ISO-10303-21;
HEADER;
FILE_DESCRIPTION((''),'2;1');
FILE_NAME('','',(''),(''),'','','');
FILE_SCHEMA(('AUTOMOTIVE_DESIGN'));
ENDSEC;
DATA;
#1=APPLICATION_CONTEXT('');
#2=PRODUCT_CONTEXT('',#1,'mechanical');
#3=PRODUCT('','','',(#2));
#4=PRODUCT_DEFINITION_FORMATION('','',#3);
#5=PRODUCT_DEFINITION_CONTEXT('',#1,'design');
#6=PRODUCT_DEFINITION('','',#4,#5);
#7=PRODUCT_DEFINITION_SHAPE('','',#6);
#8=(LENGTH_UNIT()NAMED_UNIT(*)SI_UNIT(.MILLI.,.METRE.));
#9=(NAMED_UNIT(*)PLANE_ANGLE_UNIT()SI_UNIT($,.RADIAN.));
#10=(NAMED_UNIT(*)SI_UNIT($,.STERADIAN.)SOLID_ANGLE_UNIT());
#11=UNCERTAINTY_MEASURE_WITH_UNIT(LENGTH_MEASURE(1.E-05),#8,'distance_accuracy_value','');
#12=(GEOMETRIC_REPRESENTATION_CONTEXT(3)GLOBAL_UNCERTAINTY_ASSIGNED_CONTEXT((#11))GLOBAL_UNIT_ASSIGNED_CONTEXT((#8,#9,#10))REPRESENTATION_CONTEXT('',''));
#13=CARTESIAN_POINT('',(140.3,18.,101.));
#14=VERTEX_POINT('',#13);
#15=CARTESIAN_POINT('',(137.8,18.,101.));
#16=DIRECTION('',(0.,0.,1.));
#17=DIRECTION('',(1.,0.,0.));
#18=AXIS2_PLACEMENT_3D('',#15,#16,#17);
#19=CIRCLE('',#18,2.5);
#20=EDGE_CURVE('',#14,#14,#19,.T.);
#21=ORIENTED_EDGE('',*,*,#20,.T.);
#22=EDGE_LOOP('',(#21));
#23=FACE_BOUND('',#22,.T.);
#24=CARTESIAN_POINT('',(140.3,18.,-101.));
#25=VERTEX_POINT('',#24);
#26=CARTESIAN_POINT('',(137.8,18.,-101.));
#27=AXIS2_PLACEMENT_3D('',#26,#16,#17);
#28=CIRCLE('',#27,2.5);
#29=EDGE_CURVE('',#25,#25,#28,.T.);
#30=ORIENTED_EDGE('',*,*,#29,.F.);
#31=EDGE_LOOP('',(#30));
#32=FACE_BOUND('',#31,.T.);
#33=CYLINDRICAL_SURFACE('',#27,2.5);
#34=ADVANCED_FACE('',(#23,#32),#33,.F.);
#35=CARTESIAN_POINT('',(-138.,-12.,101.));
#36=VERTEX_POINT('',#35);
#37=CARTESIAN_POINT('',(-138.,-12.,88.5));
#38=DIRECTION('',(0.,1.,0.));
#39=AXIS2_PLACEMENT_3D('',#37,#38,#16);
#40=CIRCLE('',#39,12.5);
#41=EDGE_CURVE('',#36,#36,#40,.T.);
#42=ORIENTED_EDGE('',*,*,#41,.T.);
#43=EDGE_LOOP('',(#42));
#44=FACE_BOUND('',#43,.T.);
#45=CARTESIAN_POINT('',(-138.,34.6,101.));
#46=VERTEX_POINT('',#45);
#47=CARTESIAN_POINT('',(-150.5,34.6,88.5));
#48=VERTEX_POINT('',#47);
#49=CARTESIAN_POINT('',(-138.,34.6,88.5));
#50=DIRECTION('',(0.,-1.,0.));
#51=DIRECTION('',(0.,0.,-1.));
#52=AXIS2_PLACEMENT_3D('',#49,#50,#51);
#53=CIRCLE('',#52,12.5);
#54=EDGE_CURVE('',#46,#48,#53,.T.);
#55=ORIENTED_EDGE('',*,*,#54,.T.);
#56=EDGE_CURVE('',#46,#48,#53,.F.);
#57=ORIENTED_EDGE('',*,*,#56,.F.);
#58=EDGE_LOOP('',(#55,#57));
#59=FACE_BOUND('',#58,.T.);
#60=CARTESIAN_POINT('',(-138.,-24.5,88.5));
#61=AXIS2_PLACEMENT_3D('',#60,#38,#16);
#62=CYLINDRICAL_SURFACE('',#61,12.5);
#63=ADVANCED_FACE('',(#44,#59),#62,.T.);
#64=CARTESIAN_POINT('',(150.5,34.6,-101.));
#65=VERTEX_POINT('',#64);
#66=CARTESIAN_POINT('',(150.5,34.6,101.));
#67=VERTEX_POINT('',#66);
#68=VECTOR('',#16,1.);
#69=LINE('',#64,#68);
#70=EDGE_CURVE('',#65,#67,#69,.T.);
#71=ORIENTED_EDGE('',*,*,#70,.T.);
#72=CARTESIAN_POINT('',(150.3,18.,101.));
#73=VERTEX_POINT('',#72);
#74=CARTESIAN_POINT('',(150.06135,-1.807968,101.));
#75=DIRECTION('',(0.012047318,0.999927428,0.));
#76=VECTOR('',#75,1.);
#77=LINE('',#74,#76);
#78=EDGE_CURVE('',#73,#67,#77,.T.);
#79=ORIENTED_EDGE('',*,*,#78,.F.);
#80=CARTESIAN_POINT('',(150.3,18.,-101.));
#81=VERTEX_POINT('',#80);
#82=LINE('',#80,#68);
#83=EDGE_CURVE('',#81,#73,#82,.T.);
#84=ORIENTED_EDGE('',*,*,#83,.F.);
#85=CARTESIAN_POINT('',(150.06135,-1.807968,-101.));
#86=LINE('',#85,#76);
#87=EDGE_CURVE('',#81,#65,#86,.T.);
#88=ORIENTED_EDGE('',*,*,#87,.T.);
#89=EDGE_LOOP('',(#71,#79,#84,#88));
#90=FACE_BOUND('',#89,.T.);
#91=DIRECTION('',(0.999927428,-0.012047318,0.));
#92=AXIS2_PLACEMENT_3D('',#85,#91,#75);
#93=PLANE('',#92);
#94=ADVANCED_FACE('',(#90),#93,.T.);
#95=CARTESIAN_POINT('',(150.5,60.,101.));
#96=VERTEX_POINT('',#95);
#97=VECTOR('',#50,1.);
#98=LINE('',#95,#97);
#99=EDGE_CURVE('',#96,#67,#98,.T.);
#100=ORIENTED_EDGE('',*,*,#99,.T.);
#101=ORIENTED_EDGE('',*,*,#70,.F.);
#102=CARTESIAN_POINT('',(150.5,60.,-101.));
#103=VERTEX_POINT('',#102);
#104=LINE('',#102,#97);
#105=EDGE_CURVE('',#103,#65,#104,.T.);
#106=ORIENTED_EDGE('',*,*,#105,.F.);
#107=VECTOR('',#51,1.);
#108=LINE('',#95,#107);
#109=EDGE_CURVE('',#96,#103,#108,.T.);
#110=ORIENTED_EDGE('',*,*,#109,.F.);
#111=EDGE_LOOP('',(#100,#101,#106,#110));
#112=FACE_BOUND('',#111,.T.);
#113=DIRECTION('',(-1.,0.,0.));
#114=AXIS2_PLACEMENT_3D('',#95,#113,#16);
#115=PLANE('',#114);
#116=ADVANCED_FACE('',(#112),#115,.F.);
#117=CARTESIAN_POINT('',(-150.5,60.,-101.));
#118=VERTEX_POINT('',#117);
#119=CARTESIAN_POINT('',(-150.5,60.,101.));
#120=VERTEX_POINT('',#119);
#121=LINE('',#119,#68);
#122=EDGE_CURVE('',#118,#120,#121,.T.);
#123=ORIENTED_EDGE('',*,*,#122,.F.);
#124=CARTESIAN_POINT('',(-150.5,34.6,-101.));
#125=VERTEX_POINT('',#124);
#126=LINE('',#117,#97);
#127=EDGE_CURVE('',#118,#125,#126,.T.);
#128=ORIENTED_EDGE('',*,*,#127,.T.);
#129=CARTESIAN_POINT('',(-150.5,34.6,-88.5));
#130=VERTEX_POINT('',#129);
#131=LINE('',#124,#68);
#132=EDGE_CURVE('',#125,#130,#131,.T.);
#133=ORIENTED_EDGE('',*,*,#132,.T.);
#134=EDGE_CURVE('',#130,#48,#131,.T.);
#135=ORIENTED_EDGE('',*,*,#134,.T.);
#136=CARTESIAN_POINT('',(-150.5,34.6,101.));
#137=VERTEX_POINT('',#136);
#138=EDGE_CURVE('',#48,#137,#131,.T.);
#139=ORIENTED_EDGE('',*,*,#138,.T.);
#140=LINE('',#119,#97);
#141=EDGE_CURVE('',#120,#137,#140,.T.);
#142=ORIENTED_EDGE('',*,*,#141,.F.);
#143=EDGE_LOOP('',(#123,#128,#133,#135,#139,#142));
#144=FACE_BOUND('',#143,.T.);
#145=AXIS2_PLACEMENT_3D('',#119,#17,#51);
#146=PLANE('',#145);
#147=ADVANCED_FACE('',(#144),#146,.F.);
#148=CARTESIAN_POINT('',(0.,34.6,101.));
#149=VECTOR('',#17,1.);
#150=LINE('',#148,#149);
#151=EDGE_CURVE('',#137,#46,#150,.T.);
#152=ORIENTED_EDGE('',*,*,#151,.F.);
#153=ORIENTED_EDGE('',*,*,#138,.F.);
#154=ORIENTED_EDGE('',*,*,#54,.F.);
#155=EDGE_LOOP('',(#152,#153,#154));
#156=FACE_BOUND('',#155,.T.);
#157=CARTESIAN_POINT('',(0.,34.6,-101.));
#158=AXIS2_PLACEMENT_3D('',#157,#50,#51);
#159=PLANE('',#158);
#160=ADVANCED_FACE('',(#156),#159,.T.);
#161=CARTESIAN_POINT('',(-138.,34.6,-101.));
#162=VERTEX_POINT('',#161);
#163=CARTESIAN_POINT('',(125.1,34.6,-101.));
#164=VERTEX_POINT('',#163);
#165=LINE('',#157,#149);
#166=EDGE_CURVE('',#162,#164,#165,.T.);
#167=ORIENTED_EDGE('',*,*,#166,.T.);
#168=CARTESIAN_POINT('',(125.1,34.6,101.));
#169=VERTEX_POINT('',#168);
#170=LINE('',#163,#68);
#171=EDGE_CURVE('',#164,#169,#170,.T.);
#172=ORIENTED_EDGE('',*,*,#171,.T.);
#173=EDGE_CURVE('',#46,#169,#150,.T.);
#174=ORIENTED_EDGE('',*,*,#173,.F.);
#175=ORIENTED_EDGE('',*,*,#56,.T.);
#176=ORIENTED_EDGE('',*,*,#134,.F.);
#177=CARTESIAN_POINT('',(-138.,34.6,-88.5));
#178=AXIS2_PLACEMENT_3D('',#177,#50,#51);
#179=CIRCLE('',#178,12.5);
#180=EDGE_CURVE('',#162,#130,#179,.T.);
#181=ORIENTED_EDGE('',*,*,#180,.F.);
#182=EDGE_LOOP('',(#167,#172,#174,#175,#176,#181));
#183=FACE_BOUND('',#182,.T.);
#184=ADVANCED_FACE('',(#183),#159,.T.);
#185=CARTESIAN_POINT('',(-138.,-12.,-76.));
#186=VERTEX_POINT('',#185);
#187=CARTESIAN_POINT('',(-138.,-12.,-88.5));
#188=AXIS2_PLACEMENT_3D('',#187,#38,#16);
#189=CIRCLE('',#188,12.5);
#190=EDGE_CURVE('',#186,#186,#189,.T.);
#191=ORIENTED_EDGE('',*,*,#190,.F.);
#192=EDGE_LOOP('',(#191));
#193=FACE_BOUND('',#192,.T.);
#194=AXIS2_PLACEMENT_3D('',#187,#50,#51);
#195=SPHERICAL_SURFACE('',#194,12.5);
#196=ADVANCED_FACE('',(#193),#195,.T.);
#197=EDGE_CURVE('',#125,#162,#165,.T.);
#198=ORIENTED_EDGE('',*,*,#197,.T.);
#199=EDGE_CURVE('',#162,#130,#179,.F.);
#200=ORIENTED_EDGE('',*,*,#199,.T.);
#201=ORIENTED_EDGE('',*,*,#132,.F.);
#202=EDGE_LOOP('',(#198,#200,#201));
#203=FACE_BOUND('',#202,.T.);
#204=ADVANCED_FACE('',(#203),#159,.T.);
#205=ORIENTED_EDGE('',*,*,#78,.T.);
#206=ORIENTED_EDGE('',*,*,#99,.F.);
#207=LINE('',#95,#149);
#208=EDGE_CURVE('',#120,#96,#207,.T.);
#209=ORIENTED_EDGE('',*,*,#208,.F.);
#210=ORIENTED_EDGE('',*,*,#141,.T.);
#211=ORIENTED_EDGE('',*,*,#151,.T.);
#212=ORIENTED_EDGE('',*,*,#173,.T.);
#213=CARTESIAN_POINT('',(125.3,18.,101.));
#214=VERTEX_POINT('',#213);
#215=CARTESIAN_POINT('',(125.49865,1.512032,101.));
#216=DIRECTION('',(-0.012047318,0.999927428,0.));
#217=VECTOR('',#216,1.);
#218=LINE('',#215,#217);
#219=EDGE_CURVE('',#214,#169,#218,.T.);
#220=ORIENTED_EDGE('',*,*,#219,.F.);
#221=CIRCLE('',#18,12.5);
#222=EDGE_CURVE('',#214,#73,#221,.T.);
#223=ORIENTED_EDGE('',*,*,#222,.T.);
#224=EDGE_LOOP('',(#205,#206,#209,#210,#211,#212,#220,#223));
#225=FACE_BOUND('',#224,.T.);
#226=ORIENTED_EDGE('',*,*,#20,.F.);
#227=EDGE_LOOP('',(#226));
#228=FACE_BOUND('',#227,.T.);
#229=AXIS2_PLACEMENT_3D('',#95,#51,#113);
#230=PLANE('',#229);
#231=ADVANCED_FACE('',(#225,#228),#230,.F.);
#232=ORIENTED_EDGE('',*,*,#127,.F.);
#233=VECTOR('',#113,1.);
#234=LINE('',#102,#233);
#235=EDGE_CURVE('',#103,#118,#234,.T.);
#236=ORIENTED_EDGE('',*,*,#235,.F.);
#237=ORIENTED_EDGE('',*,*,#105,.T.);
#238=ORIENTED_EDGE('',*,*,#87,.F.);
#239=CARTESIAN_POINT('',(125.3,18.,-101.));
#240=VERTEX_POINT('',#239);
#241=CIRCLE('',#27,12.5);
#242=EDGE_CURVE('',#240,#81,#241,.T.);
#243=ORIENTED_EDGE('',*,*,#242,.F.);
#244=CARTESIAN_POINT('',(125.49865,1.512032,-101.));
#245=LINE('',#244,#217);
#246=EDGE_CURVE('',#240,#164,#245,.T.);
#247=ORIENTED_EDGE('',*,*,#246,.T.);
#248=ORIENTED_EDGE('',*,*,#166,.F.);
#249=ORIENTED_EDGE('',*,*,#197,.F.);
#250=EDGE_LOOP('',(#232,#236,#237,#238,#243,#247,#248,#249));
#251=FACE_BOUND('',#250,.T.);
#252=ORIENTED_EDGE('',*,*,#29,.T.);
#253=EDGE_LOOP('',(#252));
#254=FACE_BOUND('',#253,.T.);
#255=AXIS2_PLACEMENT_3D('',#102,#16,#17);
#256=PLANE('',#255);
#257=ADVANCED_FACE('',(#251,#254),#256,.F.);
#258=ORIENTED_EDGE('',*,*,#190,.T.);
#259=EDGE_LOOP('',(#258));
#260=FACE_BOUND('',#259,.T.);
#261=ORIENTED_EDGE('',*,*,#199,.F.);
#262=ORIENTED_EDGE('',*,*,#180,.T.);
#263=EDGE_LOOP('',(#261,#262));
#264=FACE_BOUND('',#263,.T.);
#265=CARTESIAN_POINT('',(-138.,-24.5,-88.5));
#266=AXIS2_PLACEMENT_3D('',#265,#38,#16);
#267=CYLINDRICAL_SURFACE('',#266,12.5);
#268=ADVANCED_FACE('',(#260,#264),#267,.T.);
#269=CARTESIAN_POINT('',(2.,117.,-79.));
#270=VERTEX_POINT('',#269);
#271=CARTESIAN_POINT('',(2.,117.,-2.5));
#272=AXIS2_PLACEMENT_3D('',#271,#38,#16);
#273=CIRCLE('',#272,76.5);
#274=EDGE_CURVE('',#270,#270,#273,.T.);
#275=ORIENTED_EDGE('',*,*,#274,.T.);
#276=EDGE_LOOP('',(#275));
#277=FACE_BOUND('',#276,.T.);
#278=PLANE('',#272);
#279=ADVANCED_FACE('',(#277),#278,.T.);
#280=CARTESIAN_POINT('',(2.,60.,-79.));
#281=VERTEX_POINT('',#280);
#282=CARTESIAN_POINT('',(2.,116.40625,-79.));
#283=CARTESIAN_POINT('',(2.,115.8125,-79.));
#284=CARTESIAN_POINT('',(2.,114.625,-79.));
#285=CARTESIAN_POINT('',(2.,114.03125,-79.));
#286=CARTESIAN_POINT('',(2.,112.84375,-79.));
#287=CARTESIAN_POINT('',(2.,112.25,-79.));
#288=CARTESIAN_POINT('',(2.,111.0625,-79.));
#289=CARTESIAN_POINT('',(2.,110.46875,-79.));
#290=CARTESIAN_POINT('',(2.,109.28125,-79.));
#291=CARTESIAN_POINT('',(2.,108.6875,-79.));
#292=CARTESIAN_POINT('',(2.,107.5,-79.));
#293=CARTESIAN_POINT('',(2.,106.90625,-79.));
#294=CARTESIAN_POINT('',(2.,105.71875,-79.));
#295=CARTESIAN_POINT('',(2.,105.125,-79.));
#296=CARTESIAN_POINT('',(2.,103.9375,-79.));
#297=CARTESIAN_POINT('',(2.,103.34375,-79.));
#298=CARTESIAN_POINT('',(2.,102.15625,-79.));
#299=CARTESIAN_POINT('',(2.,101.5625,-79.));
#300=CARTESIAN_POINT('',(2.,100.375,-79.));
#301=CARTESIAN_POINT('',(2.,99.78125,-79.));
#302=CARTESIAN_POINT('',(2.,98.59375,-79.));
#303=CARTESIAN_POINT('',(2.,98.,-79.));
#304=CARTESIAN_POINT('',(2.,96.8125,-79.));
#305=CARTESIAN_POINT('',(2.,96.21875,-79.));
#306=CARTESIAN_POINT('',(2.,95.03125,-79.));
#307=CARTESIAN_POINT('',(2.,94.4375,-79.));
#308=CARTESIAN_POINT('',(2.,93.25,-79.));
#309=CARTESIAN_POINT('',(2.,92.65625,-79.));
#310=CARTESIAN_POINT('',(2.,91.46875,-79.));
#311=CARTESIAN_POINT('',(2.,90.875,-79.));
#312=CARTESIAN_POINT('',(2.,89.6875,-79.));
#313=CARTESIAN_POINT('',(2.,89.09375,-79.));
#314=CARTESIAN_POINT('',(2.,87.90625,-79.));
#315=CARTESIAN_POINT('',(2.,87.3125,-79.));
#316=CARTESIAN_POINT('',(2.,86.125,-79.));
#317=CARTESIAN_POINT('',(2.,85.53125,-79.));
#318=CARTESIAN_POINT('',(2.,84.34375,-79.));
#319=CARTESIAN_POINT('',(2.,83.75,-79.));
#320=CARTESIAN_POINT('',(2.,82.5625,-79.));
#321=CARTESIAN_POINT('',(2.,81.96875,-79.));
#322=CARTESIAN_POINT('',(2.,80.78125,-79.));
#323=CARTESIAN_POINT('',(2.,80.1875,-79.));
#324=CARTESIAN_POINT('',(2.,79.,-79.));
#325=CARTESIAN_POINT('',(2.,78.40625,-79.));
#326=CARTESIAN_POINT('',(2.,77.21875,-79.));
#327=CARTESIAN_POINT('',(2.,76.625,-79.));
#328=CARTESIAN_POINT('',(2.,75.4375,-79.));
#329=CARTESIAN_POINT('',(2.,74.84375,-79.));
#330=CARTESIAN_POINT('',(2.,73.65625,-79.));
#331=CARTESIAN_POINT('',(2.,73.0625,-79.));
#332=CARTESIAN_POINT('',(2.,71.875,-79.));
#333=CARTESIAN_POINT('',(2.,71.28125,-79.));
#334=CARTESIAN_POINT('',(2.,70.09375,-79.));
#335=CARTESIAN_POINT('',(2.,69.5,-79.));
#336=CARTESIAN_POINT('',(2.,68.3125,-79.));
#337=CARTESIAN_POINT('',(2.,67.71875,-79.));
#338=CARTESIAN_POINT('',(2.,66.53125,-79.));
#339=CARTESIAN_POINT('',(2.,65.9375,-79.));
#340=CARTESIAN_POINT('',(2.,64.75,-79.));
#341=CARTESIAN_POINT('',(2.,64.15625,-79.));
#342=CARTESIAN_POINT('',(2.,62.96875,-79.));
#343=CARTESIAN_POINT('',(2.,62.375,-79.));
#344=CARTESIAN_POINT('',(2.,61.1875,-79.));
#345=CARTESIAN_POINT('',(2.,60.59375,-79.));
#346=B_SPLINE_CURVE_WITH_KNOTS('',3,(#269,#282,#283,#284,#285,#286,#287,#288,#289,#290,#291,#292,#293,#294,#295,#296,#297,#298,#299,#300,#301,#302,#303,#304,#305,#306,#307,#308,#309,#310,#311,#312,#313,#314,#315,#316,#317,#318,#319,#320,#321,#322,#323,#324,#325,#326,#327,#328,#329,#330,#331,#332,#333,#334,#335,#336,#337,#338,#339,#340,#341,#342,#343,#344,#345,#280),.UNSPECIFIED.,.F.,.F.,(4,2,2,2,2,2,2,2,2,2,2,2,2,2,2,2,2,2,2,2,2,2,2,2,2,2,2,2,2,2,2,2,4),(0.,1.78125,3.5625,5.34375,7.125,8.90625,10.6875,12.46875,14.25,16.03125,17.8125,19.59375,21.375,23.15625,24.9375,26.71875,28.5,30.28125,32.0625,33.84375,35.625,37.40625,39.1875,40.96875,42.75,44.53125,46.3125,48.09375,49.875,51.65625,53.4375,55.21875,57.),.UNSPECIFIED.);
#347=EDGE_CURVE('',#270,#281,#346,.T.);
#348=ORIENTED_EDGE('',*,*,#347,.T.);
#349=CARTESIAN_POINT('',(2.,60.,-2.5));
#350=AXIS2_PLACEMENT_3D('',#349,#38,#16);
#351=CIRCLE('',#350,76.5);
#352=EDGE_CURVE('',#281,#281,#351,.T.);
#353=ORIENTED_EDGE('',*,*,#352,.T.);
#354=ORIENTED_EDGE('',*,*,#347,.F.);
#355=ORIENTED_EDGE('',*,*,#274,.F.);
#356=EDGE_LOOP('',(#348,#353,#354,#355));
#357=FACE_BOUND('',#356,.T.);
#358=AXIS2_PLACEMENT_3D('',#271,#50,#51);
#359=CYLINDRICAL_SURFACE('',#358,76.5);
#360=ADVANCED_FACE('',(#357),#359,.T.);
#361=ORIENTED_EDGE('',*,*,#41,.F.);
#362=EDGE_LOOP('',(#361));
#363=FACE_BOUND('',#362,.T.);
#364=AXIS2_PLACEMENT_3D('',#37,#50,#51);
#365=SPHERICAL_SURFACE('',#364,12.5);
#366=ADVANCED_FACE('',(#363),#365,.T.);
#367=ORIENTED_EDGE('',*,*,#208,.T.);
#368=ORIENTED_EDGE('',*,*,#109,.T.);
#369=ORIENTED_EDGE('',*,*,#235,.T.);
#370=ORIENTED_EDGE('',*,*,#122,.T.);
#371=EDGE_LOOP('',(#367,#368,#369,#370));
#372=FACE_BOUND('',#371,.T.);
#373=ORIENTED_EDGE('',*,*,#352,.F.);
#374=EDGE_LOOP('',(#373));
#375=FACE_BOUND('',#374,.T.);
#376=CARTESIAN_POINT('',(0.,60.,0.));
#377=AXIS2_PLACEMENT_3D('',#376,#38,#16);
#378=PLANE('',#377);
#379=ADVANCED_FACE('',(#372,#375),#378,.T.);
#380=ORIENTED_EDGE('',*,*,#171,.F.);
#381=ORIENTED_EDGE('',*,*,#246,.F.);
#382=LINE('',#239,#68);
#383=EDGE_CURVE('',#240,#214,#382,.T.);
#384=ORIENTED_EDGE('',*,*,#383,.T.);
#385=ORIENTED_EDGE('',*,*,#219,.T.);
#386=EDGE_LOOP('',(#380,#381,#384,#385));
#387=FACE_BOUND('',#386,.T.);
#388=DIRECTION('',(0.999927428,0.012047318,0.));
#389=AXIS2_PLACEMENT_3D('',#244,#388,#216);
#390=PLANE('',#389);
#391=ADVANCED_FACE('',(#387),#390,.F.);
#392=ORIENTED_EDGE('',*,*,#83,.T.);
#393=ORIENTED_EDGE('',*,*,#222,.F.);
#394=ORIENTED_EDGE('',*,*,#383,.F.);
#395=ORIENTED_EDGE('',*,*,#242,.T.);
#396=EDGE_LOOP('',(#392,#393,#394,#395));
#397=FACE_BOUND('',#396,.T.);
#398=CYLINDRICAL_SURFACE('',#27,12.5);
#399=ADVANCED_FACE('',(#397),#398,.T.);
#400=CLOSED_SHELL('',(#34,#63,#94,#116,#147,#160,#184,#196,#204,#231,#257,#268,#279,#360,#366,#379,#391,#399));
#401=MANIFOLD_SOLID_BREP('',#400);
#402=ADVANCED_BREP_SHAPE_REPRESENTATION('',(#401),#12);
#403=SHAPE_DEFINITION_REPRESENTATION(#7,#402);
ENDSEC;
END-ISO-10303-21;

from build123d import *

# Parameters (mm, degrees)
SKETCH1_W           = 301
SKETCH1_H           = 202
BOSS_EXTRUDE1_DEPTH = 60
CUT_EXTRUDE1_DEPTH  = 259.948353924
SKETCH5_R           = 12.5
BOSS_EXTRUDE2_DEPTH = 59.1
FILLET1_R           = 12.5
SKETCH2_R           = 2.5
CUT_EXTRUDE2_DEPTH  = 259.948353924
SKETCH6_R           = 76.5
BOSS_EXTRUDE3_DEPTH = 57


with BuildPart() as part:
    # Sketch1 → Boss-Extrude1 (new body)
    with BuildSketch(Plane(origin=(0, 0, 0), x_dir=(1, 0, 0), z_dir=(0, 1, 0))):
        Rectangle(SKETCH1_W, SKETCH1_H)
    extrude(amount=BOSS_EXTRUDE1_DEPTH)

    # Sketch4 → Cut-Extrude1 (cut, through all)
    with BuildSketch(Plane.XY.offset(101)):
        with BuildLine():
            Line((125.3, 18), (125.1, 34.6))
            Line((125.1, 34.6), (-150.5, 34.6))
            Line((-150.5, 34.6), (-150.5, 0))
            Line((-150.5, 0), (150.5, 0))
            Line((150.5, 0), (150.5, 34.6))
            Line((150.5, 34.6), (150.3, 18))
            ThreePointArc((150.3, 18), (137.8, 5.5), (125.3, 18))
        make_face()
    extrude(amount=-CUT_EXTRUDE1_DEPTH, mode=Mode.SUBTRACT)

    # Sketch5 → Boss-Extrude2 (add)
    with BuildSketch(Plane.XZ.offset(-34.6)):
        with Locations(Location((-138, 88.5, 0), (0, 0, 90))):
            Circle(SKETCH5_R)
        with Locations(Location((-138, -88.5, 0), (0, 0, 270))):
            Circle(SKETCH5_R)
    extrude(amount=BOSS_EXTRUDE2_DEPTH)

    # Fillet1
    fillet1_edges = [part.edges().sort_by_distance(p)[0] for p in [
        (-138, -24.5, 76),
        (-138, -24.5, -76),
    ]]
    fillet(fillet1_edges, radius=FILLET1_R)

    # Sketch2 → Cut-Extrude2 (cut, through all)
    with BuildSketch(Plane.XY.offset(101)):
        with Locations((137.8, 18)):
            Circle(SKETCH2_R)
    extrude(amount=-CUT_EXTRUDE2_DEPTH, mode=Mode.SUBTRACT)

    # Sketch6 → Boss-Extrude3 (add)
    with BuildSketch(Plane(origin=(0, 60, 0), x_dir=(1, 0, 0), z_dir=(0, 1, 0))):
        with Locations(Location((2, 2.5, 0), (0, 0, 90))):
            Circle(SKETCH6_R)
    extrude(amount=BOSS_EXTRUDE3_DEPTH)


solid = part.part
